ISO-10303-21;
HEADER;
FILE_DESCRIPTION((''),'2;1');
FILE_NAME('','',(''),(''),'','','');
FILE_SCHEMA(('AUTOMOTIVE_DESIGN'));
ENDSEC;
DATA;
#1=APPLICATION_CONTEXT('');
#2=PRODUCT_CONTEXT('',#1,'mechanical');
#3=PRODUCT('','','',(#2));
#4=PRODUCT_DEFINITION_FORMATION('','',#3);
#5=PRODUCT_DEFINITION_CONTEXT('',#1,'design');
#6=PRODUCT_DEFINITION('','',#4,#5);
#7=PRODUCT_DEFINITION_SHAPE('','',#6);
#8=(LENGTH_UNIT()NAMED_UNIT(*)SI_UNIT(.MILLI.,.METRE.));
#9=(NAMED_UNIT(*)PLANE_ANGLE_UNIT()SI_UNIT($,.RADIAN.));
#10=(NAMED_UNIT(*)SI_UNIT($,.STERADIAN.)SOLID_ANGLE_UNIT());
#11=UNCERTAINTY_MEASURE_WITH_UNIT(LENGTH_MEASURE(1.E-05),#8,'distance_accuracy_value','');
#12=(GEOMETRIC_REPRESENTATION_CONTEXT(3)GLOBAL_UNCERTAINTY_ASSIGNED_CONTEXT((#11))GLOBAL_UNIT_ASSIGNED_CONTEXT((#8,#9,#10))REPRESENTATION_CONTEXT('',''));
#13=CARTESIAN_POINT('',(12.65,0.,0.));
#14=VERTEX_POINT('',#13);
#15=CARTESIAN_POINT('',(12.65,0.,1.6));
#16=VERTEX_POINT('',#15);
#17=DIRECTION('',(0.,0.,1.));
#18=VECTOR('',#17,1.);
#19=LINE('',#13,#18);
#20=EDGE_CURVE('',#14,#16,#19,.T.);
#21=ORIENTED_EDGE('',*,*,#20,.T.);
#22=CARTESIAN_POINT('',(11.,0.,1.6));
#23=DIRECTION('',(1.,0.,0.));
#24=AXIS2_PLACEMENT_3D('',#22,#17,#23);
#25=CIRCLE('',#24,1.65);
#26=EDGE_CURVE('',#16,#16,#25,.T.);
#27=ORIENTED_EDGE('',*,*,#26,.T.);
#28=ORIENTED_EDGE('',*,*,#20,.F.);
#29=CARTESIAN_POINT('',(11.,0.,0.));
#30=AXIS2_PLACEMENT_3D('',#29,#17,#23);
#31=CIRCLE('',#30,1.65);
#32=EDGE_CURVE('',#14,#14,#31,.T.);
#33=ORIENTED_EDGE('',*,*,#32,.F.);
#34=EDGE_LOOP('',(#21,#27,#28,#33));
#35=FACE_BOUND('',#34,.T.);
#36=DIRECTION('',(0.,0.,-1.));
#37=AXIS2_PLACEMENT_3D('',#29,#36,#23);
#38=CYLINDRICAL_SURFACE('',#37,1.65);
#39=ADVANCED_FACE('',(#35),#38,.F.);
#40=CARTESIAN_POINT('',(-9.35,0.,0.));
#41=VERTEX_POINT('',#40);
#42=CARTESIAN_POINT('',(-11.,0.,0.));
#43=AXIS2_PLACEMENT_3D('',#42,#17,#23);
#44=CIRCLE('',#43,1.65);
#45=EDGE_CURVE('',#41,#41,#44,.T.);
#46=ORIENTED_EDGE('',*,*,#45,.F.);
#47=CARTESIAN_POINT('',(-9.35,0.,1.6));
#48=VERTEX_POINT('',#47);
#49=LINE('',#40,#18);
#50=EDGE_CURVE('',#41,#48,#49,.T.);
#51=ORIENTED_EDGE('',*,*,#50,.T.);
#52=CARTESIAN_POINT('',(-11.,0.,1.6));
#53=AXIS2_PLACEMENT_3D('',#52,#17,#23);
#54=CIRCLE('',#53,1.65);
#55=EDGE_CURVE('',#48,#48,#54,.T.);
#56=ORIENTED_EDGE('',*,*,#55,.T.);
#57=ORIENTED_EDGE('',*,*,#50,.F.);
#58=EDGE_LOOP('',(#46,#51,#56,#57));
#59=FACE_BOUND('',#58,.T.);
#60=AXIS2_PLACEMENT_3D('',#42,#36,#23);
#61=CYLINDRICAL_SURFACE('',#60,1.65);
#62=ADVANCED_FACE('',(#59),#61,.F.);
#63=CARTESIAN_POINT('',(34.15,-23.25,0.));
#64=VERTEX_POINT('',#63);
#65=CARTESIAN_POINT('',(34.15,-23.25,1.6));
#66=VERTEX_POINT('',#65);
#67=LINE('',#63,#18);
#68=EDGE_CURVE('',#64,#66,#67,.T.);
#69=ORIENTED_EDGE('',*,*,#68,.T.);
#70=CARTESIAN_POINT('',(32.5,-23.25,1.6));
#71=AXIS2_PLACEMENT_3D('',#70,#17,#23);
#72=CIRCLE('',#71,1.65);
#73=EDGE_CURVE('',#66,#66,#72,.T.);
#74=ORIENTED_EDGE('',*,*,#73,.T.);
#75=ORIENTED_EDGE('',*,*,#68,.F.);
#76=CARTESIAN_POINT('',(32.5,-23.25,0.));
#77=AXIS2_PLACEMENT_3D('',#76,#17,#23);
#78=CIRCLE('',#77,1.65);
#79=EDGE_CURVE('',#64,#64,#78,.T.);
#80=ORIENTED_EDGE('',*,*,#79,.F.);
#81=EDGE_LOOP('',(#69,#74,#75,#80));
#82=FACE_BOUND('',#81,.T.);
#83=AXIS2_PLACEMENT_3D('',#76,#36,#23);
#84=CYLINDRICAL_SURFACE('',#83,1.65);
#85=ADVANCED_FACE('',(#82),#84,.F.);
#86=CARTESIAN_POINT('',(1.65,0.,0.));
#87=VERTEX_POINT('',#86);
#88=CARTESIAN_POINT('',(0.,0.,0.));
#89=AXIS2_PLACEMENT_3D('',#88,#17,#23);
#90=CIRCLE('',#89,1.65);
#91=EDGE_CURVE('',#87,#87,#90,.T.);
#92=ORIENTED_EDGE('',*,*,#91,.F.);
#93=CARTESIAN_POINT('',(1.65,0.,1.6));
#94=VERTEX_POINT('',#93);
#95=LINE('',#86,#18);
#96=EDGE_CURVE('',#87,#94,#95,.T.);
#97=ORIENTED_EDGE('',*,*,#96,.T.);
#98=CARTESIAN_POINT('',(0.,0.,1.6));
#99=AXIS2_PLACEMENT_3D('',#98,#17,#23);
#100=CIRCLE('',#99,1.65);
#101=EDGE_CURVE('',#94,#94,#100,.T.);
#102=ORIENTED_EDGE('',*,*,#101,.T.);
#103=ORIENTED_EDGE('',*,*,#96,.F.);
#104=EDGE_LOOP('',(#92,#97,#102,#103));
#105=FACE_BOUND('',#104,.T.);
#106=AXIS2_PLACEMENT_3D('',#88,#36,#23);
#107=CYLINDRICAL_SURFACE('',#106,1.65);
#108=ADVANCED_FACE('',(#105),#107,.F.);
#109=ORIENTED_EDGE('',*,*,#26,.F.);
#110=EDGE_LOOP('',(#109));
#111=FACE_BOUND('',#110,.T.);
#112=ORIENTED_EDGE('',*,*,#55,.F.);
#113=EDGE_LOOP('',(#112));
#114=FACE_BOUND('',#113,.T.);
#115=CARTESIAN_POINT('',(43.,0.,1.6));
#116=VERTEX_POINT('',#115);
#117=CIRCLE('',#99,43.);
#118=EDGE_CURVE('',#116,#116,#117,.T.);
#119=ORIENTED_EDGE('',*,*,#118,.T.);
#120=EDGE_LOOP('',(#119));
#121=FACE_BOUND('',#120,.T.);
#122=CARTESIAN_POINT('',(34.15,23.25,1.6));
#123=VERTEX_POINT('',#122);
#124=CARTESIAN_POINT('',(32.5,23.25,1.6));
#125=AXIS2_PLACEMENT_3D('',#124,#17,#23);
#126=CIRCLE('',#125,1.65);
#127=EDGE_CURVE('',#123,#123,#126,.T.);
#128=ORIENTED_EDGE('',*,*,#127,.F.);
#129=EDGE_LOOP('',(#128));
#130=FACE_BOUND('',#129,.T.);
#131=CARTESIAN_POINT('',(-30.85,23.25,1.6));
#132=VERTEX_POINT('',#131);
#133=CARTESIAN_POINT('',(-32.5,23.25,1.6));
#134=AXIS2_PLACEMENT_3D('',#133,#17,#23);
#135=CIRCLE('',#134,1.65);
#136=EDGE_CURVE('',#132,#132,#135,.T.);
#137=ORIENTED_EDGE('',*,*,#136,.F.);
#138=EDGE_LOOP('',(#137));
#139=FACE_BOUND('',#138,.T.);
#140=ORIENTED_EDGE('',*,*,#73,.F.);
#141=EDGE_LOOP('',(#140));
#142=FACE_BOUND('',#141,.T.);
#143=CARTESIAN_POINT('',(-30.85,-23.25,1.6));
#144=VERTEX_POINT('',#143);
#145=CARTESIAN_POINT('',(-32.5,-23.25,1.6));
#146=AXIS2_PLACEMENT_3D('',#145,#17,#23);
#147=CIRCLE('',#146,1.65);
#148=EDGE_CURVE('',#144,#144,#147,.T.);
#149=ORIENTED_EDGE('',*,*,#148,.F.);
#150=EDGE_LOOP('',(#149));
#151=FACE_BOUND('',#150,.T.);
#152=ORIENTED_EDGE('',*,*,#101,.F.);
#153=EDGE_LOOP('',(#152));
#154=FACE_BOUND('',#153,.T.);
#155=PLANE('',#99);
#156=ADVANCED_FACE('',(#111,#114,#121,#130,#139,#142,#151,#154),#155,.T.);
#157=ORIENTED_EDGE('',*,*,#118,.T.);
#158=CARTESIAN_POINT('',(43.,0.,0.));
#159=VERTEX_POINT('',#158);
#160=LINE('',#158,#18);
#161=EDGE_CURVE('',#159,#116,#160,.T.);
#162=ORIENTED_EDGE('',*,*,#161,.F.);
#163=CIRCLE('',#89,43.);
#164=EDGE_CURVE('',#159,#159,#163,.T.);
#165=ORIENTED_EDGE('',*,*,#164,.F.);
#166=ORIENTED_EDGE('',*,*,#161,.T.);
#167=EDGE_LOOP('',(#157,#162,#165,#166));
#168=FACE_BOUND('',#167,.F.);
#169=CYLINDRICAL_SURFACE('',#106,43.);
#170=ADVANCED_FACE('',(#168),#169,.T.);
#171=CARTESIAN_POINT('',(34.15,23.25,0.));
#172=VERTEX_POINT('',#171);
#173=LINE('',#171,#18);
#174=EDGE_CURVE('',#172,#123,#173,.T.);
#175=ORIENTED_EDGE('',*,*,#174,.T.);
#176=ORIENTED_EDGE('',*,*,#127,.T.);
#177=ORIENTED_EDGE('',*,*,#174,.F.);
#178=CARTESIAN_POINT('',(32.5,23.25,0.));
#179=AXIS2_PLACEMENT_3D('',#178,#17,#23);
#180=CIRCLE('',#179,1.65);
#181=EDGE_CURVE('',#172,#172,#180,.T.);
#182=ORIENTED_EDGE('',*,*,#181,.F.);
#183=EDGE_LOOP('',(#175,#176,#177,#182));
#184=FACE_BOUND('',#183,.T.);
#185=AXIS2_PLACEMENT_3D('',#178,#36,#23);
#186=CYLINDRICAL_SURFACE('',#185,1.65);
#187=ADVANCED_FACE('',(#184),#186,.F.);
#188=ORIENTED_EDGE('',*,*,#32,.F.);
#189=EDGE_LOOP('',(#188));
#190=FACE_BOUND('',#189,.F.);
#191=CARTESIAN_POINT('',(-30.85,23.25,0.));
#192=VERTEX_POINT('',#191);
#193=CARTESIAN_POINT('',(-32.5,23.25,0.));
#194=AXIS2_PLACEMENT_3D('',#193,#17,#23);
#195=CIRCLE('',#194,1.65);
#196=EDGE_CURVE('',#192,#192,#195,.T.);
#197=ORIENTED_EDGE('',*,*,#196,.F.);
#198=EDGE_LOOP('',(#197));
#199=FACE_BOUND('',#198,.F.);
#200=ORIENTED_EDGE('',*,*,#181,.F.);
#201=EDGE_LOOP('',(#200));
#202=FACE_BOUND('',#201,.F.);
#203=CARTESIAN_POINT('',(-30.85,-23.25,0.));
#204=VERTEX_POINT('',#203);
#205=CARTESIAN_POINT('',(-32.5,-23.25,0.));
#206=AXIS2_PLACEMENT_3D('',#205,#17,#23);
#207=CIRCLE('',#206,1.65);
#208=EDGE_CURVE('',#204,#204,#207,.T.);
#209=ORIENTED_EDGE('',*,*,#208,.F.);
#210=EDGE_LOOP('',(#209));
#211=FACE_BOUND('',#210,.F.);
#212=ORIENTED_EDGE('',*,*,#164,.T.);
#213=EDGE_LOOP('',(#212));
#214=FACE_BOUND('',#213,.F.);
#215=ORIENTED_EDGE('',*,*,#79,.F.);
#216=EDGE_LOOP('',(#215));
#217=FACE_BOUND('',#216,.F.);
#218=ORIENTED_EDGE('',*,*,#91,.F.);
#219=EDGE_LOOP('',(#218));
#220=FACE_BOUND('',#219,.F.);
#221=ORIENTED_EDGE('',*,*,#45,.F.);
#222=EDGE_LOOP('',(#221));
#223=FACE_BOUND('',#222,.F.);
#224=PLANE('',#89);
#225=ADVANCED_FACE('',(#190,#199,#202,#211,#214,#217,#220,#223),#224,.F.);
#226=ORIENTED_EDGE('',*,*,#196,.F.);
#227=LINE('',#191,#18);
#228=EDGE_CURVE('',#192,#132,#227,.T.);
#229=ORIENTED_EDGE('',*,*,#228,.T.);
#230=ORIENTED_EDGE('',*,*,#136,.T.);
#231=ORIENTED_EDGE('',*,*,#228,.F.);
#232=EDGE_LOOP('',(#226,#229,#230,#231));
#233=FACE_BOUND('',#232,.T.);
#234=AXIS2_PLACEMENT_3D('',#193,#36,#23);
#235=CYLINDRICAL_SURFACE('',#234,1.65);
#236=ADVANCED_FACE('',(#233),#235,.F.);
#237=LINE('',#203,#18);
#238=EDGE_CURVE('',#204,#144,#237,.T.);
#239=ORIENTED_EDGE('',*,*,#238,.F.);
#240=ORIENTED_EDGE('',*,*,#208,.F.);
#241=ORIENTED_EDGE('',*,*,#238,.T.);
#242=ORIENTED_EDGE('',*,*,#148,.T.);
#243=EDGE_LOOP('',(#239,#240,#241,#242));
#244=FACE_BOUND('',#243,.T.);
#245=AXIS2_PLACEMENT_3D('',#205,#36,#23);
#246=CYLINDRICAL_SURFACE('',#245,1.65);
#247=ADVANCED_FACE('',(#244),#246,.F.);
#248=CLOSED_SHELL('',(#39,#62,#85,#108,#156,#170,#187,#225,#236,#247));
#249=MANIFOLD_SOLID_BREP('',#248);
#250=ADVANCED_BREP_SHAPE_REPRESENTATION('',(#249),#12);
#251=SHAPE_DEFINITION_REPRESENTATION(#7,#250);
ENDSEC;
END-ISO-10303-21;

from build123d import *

# Parameters (mm, degrees)
F0_R     = 43
F0_R_2   = 1.65
F0_R_3   = 25
F1_DEPTH = 1.6


with BuildPart() as f1:
    # F0 (on Top) → F1 (new body)
    with BuildSketch(Plane.XY):
        Circle(F0_R)
        with Locations((-32.5, -23.25)):
            Circle(F0_R_2, mode=Mode.SUBTRACT)
        with Locations((32.5, -23.25)):
            Circle(F0_R_2, mode=Mode.SUBTRACT)
        with Locations((-32.5, 23.25)):
            Circle(F0_R_2, mode=Mode.SUBTRACT)
        Circle(F0_R_3, mode=Mode.SUBTRACT)
        with Locations((32.5, 23.25)):
            Circle(F0_R_2, mode=Mode.SUBTRACT)
        Circle(F0_R_3)
        with Locations((-11, 0)):
            Circle(F0_R_2, mode=Mode.SUBTRACT)
        Circle(F0_R_2, mode=Mode.SUBTRACT)
        with Locations((11, 0)):
            Circle(F0_R_2, mode=Mode.SUBTRACT)
    extrude(amount=F1_DEPTH)


solid = f1.part
